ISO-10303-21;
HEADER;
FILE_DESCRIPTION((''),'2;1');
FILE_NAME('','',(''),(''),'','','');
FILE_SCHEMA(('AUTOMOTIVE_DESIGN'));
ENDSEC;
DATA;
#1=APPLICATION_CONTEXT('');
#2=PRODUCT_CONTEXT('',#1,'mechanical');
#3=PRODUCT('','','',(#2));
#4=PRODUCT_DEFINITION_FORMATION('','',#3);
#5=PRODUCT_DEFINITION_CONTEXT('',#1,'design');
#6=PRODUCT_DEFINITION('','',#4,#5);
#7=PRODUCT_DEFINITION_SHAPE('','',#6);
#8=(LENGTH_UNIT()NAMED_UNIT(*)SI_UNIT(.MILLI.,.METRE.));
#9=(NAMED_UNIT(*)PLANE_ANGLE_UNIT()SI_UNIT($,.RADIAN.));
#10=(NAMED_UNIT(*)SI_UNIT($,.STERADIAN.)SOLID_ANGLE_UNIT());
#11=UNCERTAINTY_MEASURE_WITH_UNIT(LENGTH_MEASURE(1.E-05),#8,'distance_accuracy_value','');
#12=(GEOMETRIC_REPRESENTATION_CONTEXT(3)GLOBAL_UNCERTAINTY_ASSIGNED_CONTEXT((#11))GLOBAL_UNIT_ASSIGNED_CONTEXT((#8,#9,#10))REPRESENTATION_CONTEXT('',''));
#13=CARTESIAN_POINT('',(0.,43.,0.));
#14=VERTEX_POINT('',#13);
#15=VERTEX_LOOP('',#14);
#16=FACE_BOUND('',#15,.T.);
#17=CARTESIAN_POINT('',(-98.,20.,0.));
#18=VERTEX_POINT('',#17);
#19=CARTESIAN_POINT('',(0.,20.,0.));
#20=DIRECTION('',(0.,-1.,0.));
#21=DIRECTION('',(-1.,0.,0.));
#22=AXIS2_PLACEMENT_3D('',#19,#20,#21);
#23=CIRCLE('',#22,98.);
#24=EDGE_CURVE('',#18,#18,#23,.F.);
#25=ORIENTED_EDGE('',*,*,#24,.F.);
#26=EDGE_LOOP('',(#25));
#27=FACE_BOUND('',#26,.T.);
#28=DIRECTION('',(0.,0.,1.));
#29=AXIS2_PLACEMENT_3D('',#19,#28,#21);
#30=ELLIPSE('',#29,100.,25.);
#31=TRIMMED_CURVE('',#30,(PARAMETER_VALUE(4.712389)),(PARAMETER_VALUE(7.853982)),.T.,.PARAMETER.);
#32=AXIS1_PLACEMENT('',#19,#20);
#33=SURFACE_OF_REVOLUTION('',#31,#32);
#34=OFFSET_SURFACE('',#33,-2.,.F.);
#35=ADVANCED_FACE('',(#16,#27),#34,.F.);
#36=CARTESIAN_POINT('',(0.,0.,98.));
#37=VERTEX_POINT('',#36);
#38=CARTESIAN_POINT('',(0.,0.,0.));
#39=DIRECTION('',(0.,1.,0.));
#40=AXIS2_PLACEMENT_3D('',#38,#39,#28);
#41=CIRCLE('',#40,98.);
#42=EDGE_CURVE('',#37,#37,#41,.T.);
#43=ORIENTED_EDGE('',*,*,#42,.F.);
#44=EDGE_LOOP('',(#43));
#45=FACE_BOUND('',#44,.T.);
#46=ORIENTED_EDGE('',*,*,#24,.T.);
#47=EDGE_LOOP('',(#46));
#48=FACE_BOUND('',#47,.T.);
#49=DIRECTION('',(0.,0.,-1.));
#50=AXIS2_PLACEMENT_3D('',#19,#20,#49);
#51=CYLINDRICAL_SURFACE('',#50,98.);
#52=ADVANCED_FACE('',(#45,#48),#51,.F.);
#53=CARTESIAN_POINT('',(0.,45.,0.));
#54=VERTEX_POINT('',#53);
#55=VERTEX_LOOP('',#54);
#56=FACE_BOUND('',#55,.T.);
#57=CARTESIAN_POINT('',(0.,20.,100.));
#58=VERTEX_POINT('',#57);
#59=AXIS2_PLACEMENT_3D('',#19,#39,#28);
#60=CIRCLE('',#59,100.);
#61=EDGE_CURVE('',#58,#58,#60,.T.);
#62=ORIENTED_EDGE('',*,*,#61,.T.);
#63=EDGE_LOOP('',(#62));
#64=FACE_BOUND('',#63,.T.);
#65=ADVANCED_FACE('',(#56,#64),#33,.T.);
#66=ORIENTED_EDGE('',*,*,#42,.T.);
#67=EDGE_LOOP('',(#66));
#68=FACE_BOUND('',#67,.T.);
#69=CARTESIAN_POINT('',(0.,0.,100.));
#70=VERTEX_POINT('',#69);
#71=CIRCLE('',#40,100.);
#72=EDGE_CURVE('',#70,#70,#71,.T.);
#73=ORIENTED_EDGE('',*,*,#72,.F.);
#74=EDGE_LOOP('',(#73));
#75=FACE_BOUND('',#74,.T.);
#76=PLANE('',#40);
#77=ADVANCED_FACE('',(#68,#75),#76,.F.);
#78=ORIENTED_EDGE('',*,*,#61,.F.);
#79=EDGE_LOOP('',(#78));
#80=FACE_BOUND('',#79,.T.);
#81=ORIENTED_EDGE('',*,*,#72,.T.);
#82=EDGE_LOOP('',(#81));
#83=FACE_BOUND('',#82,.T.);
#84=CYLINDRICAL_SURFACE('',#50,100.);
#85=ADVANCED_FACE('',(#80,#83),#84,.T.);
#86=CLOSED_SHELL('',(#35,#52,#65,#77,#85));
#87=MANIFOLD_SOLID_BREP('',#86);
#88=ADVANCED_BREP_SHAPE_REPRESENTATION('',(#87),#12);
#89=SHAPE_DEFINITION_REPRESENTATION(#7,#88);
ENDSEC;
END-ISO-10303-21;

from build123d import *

# Parameters (mm, degrees)
SKETCH1_R           = 100
BOSS_EXTRUDE1_DEPTH = 20
SHELL1_T            = -2


with BuildPart() as part:
    # Sketch1 → Boss-Extrude1 (new body)
    with BuildSketch(Plane(origin=(0, 0, 0), x_dir=(1, 0, 0), z_dir=(0, 1, 0))):
        Circle(SKETCH1_R)
    extrude(amount=BOSS_EXTRUDE1_DEPTH)

    # Sketch2 → Revolve1 (revolve)
    with BuildSketch(Plane.XY):
        with BuildLine():
            Line((0, 20), (0, 45))
            add(Edge.make_bspline(
                [(0, 45), (-100, 45), (-100, 20)],
                knots=[4.71238898, 4.71238898, 4.71238898, 6.283185307, 6.283185307, 6.283185307], degree=2, weights=[1, 0.707106781, 1]))
            Line((-100, 20), (0, 20))
        make_face()
    revolve(axis=Axis((0, 20, 0), (0, 1, 0)))

    # Shell1
    shell1_openings = [part.faces().sort_by_distance(p)[0] for p in [
        (0, 0, 0),
    ]]
    offset(amount=SHELL1_T, openings=shell1_openings, kind=Kind.INTERSECTION)


solid = part.part
